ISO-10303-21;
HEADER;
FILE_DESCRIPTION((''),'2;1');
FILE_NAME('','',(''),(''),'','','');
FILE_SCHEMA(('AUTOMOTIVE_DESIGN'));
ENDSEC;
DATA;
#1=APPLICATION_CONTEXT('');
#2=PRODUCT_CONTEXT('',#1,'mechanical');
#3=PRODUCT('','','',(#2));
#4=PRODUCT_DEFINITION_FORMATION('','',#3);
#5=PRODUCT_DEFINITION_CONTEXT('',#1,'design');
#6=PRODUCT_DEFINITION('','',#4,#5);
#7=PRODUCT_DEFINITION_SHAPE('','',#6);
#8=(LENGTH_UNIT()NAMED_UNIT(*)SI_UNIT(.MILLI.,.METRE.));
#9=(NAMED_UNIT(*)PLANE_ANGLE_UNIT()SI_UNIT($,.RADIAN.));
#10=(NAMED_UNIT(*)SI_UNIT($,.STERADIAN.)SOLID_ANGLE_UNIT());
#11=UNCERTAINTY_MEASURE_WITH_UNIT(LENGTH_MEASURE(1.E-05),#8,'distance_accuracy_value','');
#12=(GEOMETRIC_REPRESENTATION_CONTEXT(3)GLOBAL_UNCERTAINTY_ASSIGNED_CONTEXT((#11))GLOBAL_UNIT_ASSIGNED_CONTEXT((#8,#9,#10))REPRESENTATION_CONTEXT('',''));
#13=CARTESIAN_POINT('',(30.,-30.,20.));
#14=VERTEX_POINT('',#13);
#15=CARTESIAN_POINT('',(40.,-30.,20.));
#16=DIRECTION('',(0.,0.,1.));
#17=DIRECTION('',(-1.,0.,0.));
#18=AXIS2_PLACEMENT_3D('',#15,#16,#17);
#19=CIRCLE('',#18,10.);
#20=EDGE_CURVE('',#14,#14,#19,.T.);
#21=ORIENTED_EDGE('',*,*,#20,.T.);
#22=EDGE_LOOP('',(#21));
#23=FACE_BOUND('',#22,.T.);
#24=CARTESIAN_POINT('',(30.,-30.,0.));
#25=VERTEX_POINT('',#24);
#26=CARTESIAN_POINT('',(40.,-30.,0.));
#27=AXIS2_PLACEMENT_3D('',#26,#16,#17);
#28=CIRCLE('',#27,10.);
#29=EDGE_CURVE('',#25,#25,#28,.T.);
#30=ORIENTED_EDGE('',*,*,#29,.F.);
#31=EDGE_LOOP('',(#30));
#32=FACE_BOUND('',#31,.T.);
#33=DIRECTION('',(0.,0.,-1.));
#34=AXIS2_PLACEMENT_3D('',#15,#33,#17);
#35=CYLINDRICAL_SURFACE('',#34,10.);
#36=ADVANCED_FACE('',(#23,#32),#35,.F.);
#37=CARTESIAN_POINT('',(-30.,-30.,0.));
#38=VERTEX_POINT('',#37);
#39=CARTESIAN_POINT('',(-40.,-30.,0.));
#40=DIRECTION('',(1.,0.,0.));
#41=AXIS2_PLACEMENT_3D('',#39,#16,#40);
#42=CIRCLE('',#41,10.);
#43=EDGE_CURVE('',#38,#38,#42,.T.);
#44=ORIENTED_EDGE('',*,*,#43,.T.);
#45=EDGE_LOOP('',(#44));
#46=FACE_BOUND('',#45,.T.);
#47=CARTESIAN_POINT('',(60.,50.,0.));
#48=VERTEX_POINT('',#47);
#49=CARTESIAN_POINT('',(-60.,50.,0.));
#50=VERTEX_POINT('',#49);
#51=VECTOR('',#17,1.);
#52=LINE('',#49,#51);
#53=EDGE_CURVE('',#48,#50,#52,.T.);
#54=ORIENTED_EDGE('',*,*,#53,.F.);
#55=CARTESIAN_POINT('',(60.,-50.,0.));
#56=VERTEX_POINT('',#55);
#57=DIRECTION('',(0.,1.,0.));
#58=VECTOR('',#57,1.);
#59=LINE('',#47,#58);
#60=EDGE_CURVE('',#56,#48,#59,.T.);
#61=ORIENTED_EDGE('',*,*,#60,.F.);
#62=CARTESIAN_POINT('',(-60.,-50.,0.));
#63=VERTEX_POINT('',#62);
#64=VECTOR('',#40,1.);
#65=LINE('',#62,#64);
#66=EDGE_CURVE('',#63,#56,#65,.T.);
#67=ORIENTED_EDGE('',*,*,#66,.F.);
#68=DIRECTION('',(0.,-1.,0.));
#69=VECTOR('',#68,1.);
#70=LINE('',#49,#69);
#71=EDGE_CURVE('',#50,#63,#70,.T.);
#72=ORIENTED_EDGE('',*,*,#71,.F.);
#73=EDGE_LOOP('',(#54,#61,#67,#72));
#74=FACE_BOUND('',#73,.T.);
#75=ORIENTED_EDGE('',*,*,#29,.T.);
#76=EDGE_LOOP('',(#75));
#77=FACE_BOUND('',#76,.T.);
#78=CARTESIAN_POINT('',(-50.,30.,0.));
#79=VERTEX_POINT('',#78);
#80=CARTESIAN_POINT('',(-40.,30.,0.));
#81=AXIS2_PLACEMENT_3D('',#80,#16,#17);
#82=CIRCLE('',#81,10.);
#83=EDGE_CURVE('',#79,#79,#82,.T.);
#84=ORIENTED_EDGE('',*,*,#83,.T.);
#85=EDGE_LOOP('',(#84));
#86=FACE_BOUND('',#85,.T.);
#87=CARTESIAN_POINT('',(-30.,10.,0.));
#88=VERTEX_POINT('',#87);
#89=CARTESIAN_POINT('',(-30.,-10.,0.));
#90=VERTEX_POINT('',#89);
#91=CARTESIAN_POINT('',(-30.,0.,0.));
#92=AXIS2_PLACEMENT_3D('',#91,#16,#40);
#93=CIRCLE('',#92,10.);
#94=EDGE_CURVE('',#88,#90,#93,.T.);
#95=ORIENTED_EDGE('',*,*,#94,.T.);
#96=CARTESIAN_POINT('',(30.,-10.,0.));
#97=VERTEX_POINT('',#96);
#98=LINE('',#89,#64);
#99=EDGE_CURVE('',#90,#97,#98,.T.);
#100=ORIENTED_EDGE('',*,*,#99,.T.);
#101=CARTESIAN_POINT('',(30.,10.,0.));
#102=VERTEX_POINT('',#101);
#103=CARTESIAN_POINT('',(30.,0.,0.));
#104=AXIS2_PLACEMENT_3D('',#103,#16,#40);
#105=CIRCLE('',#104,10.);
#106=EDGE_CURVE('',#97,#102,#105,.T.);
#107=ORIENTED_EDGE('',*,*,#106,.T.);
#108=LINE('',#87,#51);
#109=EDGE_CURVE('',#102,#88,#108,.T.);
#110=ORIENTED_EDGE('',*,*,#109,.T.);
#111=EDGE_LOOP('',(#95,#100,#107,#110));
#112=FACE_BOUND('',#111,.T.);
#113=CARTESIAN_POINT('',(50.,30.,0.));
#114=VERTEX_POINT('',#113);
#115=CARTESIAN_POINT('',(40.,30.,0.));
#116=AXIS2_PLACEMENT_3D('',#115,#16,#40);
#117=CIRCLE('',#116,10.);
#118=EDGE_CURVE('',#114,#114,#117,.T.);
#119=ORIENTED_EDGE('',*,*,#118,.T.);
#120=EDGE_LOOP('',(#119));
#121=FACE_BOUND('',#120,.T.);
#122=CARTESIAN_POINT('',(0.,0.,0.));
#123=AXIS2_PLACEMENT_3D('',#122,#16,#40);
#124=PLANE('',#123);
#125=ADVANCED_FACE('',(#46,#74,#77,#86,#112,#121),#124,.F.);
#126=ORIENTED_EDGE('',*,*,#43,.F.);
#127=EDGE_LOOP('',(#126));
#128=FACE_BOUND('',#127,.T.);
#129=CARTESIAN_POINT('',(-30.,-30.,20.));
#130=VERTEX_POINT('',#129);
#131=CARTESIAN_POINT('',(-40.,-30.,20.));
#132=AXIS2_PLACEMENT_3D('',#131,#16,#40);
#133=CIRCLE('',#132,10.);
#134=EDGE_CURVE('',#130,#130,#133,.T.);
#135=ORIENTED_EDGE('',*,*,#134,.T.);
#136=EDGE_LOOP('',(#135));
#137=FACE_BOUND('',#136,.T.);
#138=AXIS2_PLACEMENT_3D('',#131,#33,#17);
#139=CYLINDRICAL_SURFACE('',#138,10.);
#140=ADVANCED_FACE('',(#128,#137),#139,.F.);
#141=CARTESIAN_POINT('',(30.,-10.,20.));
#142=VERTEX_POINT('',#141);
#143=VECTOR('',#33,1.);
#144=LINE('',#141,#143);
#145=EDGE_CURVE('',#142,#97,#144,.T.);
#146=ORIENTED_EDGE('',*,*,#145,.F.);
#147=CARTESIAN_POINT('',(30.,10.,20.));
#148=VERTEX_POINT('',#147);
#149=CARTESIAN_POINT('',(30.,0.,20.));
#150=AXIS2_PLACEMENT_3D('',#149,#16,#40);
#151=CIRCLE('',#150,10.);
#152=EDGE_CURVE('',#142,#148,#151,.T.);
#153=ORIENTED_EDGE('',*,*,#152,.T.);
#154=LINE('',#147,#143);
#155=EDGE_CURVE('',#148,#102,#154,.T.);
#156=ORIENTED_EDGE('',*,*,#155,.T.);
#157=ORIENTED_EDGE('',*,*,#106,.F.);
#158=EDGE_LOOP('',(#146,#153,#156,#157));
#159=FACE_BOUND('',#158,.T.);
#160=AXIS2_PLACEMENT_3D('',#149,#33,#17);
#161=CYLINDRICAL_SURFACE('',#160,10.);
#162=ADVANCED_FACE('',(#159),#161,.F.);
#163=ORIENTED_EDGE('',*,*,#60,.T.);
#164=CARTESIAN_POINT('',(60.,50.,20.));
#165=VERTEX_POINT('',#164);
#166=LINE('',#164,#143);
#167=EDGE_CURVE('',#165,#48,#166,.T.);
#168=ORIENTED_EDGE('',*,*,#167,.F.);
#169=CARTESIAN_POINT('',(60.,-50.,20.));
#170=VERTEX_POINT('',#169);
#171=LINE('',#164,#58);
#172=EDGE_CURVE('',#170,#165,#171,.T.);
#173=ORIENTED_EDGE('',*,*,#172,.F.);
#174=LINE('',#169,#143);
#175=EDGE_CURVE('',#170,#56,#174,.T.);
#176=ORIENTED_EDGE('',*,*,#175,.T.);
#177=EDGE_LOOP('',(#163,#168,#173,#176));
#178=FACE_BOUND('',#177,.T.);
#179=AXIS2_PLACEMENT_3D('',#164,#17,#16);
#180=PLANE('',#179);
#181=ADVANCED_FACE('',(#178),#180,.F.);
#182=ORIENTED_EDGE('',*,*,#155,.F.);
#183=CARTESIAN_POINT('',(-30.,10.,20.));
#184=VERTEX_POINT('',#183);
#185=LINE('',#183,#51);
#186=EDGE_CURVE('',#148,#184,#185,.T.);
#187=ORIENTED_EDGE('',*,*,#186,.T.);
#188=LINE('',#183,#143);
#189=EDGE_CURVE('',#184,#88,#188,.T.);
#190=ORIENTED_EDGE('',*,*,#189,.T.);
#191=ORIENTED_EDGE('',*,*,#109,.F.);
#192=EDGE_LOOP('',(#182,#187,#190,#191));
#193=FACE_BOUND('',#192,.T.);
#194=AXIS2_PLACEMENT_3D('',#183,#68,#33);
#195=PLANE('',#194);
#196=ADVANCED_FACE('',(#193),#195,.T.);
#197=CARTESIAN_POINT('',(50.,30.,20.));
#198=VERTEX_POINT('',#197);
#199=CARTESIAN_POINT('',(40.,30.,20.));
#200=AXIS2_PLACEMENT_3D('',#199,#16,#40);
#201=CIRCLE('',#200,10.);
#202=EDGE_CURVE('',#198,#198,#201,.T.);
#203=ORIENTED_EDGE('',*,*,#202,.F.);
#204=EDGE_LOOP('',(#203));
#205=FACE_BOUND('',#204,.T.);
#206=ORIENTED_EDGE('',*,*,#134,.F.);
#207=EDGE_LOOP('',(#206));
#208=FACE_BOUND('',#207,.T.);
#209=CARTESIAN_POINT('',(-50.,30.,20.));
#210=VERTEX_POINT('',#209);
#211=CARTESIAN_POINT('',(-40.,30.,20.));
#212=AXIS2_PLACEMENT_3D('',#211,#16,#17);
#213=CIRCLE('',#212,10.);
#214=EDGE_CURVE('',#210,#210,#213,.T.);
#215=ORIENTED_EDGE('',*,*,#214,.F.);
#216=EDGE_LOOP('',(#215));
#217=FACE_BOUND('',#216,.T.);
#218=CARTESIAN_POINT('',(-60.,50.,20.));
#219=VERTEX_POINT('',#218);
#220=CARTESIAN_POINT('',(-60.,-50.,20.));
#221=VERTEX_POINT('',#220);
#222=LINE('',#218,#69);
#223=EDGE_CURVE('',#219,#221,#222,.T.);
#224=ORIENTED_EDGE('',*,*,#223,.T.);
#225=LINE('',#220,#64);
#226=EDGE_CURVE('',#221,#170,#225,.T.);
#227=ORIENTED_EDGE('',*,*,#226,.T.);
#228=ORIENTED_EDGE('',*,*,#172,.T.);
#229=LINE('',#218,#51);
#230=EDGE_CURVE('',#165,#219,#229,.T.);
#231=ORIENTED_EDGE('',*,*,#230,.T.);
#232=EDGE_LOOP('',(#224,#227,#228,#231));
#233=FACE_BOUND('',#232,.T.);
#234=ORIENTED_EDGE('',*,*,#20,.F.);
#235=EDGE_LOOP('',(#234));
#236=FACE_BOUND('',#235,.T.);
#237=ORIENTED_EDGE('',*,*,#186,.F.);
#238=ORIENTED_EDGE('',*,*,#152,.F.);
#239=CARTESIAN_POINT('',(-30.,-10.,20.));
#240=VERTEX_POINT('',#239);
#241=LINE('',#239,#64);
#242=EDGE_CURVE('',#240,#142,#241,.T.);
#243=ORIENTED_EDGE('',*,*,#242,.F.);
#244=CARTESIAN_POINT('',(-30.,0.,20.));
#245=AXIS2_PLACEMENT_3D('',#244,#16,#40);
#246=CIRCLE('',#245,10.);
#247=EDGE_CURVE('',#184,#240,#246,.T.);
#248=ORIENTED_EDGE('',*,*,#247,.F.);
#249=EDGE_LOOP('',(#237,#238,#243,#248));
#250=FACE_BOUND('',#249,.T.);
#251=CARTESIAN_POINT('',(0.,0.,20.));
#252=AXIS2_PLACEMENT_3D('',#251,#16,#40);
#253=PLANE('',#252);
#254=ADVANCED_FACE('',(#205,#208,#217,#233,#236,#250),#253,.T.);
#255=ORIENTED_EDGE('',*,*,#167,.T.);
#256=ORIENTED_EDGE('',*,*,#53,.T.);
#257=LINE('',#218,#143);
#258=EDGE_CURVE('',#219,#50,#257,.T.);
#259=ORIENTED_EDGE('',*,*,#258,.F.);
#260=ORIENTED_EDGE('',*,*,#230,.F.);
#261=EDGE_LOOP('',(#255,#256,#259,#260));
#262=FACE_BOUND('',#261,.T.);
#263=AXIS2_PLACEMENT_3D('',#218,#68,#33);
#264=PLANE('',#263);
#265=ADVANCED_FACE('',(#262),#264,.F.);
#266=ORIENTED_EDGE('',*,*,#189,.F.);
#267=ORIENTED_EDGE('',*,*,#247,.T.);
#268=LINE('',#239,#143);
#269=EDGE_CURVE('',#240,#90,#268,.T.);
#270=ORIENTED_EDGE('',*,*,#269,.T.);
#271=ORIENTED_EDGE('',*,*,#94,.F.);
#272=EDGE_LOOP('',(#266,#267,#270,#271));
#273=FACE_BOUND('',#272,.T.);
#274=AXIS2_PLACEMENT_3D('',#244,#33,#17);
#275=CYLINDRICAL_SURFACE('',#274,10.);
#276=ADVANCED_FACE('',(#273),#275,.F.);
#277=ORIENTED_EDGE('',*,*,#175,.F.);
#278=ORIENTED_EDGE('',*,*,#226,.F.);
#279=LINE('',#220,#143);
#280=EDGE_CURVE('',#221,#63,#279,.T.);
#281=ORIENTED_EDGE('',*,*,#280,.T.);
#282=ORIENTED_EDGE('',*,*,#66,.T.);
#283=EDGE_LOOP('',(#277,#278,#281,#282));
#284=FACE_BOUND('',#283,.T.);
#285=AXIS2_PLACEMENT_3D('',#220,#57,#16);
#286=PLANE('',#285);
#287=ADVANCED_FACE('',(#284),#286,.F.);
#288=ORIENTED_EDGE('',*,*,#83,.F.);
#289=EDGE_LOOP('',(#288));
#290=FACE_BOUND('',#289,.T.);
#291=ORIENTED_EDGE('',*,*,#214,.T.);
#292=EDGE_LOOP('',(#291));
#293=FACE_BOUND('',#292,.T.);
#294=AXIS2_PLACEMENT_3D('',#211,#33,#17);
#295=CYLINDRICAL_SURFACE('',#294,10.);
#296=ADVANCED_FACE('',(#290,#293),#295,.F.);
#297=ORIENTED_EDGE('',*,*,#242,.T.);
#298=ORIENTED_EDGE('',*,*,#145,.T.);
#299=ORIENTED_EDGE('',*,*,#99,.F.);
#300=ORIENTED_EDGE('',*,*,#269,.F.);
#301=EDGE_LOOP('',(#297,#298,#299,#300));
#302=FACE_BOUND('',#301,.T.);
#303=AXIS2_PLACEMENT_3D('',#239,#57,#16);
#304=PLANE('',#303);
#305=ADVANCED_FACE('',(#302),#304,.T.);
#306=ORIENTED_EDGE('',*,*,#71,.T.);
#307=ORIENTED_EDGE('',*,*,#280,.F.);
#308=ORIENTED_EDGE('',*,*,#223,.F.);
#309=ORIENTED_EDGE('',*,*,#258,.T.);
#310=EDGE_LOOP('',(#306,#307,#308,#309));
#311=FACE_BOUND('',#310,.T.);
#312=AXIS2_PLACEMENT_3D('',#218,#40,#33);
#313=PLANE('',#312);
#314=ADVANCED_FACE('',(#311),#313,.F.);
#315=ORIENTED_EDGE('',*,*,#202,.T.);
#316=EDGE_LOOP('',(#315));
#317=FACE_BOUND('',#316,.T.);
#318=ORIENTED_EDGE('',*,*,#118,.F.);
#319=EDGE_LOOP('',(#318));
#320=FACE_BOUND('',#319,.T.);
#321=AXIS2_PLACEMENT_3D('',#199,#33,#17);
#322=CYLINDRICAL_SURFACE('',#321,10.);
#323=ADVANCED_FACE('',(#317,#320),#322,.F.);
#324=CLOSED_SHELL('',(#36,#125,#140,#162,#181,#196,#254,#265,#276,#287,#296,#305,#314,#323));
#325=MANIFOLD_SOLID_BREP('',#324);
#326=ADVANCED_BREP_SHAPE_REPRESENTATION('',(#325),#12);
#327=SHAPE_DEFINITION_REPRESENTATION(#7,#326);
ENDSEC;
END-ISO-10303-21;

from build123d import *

# Parameters (mm, degrees)
SKETCH2_W           = 120
SKETCH2_H           = 100
SKETCH2_R           = 10
BOSS_EXTRUDE1_DEPTH = 20


with BuildPart() as part:
    # Sketch2 → Boss-Extrude1 (new body)
    with BuildSketch(Plane.XY):
        Rectangle(SKETCH2_W, SKETCH2_H)
        with Locations((-40, -30)):
            Circle(SKETCH2_R, mode=Mode.SUBTRACT)
        with Locations(Location((40, -30, 0), (0, 0, 180))):
            Circle(SKETCH2_R, mode=Mode.SUBTRACT)
        with Locations((40, 30)):
            Circle(SKETCH2_R, mode=Mode.SUBTRACT)
        with Locations(Location((-40, 30, 0), (0, 0, 180))):
            Circle(SKETCH2_R, mode=Mode.SUBTRACT)
        with BuildLine():
            Line((-30, 10), (30, 10))
            ThreePointArc((30, 10), (40, 0), (30, -10))
            Line((30, -10), (-30, -10))
            ThreePointArc((-30, -10), (-40, 0), (-30, 10))
        make_face(mode=Mode.SUBTRACT)
    extrude(amount=BOSS_EXTRUDE1_DEPTH)


solid = part.part
